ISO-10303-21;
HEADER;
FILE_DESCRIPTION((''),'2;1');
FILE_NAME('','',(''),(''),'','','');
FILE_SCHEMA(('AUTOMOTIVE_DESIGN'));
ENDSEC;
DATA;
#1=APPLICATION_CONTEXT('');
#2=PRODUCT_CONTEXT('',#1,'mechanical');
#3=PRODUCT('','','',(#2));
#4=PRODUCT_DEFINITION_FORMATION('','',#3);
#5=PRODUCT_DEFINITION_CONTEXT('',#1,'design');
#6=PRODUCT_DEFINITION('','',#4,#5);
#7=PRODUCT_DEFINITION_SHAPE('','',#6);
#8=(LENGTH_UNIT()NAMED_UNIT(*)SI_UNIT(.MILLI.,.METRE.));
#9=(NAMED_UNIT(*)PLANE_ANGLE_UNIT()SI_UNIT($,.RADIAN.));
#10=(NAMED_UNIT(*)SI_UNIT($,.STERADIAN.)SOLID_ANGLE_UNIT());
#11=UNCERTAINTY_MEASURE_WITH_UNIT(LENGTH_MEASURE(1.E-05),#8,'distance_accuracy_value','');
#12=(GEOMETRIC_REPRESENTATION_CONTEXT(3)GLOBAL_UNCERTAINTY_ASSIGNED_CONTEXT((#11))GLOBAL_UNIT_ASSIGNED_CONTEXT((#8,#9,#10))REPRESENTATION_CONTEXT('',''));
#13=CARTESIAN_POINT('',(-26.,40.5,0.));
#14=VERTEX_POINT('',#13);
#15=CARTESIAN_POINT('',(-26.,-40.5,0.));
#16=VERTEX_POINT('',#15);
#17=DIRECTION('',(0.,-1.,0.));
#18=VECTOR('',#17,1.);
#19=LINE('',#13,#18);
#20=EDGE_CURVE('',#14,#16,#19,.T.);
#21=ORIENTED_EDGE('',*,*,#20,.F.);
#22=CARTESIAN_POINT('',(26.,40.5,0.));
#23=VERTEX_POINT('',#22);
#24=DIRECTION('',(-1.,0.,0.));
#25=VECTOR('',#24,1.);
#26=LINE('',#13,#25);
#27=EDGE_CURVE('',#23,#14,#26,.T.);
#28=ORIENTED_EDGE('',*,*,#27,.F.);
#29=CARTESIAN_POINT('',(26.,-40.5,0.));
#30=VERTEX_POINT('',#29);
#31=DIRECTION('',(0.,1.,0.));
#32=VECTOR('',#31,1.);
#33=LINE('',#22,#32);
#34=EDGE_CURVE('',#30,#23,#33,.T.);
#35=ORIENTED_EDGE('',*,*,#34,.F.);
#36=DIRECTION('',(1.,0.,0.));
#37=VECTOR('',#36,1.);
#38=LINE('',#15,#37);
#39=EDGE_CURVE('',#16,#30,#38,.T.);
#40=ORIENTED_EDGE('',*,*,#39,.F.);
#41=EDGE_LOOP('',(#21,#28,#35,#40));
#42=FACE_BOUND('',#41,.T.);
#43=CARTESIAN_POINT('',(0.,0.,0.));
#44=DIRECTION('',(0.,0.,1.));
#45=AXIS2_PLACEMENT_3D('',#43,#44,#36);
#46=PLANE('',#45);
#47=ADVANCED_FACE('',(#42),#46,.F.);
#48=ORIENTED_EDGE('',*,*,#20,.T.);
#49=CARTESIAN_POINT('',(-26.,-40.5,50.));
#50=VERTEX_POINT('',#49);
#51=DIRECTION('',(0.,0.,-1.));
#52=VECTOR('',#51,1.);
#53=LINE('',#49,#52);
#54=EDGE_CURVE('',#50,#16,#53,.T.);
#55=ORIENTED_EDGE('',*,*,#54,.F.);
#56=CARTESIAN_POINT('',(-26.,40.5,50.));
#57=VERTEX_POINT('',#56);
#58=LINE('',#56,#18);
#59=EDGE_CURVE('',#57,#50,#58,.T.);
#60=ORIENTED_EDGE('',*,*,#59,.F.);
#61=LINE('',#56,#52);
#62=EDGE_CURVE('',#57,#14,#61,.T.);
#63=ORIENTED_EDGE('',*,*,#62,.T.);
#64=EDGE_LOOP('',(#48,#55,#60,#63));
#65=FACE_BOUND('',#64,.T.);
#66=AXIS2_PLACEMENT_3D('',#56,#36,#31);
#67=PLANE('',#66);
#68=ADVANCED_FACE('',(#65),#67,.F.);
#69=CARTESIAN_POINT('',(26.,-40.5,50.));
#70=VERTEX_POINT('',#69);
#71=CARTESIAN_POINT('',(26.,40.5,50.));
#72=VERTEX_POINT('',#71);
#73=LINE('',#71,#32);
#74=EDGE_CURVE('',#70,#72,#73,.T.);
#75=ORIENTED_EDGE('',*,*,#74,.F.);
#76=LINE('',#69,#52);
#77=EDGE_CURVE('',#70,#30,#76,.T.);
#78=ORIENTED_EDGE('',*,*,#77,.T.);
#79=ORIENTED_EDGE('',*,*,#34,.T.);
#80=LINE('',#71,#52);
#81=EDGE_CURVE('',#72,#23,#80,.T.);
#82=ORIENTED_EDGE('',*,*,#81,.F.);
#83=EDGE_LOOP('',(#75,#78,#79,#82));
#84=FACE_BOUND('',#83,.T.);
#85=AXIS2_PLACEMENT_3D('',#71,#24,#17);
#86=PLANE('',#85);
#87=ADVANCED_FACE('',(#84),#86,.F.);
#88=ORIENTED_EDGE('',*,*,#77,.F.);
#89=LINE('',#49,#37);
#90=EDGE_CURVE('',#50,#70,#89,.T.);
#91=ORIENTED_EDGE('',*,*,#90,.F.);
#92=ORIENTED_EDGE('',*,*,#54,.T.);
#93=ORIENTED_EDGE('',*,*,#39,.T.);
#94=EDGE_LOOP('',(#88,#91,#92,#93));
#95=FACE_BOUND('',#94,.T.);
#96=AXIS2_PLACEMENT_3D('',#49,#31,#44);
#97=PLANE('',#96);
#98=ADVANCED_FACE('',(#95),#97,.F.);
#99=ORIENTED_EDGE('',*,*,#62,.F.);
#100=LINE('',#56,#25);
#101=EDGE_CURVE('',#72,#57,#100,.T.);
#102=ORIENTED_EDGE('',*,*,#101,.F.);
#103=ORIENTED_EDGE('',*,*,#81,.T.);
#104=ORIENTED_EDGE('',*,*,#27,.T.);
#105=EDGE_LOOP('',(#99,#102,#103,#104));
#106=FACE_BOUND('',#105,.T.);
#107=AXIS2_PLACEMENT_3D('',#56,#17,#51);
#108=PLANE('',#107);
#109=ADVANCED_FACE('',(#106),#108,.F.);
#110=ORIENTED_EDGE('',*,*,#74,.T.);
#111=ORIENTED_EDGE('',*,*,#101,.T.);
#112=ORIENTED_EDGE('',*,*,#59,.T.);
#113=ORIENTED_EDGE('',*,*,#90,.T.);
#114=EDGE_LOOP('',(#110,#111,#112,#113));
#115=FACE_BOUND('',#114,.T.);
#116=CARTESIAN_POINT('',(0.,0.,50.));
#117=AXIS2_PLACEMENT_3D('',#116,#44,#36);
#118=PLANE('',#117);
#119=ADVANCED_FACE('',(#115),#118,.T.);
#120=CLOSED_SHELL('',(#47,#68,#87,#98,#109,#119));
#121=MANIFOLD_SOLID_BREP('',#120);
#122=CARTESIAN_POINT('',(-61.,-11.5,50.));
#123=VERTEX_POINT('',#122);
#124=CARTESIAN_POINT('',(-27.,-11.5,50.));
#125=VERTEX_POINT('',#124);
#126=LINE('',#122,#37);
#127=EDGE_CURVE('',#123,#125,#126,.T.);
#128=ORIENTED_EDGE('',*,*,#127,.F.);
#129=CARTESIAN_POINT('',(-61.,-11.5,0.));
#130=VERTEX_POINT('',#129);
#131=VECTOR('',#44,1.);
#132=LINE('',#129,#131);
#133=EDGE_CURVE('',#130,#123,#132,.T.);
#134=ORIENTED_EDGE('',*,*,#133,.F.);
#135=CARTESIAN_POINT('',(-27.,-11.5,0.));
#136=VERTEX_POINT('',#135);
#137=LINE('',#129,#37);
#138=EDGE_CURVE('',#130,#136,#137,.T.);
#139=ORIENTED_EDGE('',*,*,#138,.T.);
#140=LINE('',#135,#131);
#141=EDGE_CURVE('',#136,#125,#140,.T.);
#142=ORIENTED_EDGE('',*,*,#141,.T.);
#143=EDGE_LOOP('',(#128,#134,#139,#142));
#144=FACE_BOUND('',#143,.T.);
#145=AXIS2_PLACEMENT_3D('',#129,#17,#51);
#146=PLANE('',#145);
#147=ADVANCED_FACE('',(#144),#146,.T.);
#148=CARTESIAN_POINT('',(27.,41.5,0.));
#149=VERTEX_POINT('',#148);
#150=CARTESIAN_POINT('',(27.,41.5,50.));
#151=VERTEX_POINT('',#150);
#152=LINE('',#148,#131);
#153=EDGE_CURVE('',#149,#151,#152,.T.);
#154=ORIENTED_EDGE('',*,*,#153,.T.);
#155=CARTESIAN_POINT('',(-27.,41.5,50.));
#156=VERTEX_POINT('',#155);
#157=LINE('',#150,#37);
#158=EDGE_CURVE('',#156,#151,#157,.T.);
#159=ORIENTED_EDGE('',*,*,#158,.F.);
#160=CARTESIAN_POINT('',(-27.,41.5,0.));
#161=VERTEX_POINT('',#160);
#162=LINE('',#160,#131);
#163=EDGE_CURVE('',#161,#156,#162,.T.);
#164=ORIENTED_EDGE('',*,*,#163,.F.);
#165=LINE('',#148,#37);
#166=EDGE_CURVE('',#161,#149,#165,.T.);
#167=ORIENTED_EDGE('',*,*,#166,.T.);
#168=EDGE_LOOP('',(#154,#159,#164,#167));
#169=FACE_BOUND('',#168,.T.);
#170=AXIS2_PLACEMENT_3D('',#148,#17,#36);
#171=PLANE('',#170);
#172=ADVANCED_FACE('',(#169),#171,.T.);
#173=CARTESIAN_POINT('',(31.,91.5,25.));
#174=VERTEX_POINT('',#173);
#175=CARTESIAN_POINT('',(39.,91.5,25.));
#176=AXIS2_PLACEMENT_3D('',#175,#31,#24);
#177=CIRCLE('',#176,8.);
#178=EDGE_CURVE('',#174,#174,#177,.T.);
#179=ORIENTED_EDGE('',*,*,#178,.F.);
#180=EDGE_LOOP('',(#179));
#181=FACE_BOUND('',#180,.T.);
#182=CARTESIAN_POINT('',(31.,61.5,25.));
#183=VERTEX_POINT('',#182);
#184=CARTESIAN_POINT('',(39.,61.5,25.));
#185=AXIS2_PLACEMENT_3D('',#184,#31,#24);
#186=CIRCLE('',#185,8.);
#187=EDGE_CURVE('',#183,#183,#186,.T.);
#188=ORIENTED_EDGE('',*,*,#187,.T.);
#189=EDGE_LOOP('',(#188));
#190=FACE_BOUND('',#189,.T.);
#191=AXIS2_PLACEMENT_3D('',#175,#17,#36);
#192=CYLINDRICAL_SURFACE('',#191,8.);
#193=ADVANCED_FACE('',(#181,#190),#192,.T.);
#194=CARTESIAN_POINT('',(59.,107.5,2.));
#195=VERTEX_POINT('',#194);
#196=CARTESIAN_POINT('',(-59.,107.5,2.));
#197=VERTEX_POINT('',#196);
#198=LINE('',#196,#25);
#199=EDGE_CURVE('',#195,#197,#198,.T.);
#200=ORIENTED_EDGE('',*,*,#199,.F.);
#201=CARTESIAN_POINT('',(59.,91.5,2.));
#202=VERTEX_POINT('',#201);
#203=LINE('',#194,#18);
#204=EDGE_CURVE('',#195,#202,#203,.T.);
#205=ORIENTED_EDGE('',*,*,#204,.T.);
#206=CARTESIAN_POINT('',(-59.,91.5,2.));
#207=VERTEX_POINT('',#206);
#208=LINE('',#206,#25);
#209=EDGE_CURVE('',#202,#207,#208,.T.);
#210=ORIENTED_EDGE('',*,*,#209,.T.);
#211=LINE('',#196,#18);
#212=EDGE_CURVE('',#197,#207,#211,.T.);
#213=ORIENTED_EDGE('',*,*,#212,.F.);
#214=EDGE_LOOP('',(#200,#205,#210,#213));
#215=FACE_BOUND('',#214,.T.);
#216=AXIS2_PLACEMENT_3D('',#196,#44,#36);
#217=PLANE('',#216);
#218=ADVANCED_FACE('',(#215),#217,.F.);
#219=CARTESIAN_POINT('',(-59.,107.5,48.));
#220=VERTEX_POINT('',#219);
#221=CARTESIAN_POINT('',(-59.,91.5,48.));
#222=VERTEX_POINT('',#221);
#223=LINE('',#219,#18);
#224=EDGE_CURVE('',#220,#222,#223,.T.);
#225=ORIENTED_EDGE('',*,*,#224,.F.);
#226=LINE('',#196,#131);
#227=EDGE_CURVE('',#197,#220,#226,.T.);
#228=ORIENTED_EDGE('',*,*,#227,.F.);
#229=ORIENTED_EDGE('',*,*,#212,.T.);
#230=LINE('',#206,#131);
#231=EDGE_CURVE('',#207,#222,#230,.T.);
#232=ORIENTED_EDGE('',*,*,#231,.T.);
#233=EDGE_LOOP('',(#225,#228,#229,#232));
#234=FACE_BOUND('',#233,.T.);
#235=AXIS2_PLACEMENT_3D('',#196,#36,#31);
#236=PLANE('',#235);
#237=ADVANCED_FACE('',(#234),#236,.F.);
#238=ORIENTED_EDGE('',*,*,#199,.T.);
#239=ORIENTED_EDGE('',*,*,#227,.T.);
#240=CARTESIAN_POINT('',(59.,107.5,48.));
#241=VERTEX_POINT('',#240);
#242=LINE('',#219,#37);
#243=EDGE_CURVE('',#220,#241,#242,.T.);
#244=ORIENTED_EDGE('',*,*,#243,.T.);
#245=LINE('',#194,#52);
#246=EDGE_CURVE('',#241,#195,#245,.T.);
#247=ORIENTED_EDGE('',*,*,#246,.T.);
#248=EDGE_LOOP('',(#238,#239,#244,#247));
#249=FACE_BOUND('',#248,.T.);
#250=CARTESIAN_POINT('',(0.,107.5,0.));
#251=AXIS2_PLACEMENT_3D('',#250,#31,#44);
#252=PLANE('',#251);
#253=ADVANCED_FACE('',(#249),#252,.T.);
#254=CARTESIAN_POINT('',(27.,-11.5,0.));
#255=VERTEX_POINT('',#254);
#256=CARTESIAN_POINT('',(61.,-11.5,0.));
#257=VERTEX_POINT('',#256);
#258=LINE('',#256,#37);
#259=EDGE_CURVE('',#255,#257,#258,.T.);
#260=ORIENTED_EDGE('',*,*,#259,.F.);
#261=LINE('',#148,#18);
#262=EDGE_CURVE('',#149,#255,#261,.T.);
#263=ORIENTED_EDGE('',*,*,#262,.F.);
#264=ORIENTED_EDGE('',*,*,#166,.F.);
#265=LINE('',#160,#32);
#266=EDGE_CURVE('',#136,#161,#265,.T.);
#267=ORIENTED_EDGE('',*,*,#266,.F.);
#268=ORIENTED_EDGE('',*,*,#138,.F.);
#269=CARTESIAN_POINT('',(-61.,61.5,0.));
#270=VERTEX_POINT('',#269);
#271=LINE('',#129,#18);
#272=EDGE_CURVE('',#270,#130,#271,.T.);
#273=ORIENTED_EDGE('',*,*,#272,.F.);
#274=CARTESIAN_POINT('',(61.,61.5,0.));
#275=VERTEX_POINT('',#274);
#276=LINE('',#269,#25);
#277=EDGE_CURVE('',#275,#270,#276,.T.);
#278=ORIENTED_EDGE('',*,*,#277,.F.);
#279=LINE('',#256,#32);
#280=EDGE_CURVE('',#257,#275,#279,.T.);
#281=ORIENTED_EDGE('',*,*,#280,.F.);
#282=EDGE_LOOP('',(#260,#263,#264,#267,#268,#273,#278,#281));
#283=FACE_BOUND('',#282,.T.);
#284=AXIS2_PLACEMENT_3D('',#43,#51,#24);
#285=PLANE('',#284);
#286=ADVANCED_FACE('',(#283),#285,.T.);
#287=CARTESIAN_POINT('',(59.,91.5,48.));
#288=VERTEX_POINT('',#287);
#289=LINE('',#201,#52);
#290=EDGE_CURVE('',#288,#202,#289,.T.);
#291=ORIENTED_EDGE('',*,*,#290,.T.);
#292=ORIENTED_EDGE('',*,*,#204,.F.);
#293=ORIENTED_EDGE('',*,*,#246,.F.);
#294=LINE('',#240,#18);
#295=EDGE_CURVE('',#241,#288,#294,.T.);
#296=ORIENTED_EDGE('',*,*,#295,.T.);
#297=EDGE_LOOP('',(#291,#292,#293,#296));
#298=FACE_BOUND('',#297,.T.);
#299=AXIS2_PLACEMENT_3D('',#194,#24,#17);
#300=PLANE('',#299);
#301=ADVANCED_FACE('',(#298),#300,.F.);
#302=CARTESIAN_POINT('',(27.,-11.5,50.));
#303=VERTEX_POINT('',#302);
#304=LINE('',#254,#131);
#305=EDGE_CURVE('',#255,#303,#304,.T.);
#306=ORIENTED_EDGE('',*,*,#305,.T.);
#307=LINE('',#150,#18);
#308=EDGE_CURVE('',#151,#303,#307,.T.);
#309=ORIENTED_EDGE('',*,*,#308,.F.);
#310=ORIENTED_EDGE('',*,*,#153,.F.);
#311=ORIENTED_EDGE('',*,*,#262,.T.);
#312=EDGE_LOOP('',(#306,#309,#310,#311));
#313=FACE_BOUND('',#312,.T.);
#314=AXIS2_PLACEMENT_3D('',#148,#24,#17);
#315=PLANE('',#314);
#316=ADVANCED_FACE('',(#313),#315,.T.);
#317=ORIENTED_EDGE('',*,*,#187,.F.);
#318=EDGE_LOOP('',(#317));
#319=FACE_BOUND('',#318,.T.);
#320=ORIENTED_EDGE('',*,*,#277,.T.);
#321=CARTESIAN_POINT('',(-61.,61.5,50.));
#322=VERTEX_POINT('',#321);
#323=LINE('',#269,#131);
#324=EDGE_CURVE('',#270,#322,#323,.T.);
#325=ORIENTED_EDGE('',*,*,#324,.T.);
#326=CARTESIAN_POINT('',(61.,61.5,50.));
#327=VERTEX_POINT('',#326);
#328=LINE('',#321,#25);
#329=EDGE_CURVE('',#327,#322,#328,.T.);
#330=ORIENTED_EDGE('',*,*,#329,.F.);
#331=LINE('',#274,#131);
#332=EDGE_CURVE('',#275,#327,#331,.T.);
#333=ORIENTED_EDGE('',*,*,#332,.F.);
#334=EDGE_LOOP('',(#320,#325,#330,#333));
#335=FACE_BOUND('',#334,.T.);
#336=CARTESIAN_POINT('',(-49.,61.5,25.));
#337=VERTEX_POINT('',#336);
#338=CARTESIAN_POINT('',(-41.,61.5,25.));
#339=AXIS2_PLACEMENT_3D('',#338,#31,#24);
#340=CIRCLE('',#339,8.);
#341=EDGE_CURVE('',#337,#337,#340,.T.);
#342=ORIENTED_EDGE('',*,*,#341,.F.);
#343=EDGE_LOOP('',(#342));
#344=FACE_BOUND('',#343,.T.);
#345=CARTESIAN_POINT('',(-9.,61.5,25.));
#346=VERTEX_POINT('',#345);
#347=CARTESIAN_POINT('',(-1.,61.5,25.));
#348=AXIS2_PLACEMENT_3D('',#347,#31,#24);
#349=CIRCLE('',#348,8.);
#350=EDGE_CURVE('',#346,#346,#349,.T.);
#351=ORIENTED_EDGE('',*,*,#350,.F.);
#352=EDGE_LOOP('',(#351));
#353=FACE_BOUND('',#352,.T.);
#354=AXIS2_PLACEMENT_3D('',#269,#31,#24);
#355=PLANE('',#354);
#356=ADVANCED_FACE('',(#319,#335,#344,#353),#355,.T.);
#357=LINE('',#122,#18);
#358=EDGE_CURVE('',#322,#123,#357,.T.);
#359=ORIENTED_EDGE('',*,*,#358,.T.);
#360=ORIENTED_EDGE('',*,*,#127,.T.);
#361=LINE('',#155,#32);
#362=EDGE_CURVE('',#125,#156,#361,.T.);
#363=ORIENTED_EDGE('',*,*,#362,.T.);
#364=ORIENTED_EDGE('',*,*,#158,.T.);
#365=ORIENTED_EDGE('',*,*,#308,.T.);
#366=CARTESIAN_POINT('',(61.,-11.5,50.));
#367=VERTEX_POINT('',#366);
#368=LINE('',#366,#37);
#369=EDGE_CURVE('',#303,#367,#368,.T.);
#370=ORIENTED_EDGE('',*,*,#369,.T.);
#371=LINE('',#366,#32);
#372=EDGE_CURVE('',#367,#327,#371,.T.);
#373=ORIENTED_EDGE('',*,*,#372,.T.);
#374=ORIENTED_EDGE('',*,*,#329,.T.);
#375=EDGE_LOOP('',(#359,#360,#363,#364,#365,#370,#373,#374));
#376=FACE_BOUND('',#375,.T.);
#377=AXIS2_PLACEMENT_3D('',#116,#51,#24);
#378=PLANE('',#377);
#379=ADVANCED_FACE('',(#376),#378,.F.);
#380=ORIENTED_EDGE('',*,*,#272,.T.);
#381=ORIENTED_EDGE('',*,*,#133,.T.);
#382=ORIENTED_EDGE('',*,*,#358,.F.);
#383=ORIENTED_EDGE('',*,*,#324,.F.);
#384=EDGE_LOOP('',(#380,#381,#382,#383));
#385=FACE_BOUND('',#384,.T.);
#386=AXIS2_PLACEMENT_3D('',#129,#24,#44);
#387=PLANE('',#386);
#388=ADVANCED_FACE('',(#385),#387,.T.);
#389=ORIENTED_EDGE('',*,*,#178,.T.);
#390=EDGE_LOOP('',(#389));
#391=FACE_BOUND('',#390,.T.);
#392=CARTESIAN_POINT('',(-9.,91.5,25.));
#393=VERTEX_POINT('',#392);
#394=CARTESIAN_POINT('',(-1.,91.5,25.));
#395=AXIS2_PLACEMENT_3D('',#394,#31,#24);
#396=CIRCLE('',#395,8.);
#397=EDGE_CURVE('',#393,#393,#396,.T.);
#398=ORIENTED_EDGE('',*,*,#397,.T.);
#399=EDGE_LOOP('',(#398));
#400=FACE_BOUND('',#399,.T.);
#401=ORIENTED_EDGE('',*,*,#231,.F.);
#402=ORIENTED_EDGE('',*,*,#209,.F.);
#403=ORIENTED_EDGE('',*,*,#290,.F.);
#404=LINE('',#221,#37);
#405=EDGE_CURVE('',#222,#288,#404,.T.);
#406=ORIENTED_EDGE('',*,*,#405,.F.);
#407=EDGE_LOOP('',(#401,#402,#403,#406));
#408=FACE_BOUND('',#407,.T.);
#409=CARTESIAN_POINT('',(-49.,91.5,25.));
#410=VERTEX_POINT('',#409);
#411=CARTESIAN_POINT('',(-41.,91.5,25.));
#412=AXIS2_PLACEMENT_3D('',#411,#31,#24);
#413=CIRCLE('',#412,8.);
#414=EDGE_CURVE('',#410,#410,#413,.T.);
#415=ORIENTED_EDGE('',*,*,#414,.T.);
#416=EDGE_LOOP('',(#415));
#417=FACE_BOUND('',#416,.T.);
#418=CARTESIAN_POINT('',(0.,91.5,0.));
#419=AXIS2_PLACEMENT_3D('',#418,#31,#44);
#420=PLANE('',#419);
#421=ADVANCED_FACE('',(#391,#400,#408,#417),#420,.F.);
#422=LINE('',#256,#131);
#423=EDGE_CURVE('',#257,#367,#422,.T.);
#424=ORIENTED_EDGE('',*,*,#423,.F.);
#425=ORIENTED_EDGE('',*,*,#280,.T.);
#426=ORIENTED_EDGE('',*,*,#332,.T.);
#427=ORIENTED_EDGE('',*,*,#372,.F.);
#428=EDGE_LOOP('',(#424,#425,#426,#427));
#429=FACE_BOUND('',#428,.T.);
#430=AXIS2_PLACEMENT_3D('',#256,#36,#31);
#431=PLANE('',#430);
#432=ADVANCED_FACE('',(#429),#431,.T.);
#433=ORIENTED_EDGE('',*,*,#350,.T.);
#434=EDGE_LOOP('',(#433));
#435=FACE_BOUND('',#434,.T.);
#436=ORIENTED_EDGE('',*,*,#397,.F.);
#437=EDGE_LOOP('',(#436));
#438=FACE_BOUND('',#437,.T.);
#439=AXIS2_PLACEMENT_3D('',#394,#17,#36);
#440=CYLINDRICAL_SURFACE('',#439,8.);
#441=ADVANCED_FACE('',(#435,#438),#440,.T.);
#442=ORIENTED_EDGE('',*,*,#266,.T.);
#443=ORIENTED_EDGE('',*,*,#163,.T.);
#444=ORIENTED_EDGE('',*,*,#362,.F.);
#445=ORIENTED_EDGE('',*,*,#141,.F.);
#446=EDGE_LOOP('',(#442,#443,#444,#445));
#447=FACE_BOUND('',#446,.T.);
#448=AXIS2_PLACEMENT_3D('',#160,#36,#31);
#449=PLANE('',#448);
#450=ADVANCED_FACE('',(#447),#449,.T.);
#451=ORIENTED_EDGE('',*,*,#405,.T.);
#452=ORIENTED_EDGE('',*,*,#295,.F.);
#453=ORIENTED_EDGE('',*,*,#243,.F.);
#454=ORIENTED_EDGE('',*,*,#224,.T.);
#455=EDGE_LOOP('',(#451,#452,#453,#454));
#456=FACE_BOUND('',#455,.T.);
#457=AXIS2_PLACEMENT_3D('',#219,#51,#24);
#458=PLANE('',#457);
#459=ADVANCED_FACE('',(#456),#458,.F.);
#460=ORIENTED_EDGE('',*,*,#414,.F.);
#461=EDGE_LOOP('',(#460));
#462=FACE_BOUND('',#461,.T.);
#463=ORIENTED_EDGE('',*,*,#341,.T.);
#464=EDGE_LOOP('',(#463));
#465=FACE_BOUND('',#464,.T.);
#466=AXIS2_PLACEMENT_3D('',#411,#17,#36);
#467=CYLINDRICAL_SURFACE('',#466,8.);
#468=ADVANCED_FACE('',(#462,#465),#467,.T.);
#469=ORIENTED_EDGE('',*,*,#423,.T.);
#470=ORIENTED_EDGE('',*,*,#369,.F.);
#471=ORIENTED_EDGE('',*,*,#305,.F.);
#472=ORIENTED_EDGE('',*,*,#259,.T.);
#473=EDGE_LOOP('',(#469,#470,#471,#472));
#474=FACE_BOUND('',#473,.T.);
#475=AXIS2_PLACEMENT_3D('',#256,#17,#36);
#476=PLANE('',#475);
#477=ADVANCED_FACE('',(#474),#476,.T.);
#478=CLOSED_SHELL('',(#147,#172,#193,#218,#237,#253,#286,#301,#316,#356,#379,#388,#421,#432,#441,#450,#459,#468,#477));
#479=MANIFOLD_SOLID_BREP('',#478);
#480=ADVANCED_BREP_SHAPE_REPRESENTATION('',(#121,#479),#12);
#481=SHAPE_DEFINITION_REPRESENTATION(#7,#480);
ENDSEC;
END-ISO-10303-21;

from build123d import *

# Parameters (mm, degrees)
SKETCH_1_W      = 52
SKETCH_1_H      = 81
EXTRUDE_1_DEPTH = 50
EXTRUDE_2_DEPTH = 50
SKETCH_3_R      = 8
EXTRUDE_3_DEPTH = 30
SKETCH_4_W      = 118
SKETCH_4_H      = 46
EXTRUDE_4_DEPTH = 16


with BuildPart() as part:
    # 草图1 → 凸台-拉伸1 (new body)
    with BuildSketch(Plane.XY):
        Rectangle(SKETCH_1_W, SKETCH_1_H)
    extrude(amount=EXTRUDE_1_DEPTH)


with BuildPart() as body_2:
    # 草图2 → 凸台-拉伸2 (new body)
    with BuildSketch(Plane.XY.offset(50)):
        Polygon((-61, -11.5), (-27, -11.5), (-27, 41.5), (27, 41.5), (27, -11.5), (61, -11.5), (61, 61.5), (-61, 61.5), align=None)
    extrude(amount=-EXTRUDE_2_DEPTH)

    # 草图3 → 凸台-拉伸3 (add)
    with BuildSketch(Plane(origin=(0, 61.5, 0), x_dir=(1, 0, 0), z_dir=(0, 1, 0))):
        with Locations((-41, -25)):
            Circle(SKETCH_3_R)
        with Locations((-1, -25)):
            Circle(SKETCH_3_R)
        with Locations((39, -25)):
            Circle(SKETCH_3_R)
    extrude(amount=EXTRUDE_3_DEPTH)

    # 草图4 → 凸台-拉伸4 (add)
    with BuildSketch(Plane(origin=(0, 91.5, 0), x_dir=(1, 0, 0), z_dir=(0, 1, 0))):
        with Locations((0, -25)):
            Rectangle(SKETCH_4_W, SKETCH_4_H)
    extrude(amount=EXTRUDE_4_DEPTH)


solid = Compound([part.part, body_2.part])
